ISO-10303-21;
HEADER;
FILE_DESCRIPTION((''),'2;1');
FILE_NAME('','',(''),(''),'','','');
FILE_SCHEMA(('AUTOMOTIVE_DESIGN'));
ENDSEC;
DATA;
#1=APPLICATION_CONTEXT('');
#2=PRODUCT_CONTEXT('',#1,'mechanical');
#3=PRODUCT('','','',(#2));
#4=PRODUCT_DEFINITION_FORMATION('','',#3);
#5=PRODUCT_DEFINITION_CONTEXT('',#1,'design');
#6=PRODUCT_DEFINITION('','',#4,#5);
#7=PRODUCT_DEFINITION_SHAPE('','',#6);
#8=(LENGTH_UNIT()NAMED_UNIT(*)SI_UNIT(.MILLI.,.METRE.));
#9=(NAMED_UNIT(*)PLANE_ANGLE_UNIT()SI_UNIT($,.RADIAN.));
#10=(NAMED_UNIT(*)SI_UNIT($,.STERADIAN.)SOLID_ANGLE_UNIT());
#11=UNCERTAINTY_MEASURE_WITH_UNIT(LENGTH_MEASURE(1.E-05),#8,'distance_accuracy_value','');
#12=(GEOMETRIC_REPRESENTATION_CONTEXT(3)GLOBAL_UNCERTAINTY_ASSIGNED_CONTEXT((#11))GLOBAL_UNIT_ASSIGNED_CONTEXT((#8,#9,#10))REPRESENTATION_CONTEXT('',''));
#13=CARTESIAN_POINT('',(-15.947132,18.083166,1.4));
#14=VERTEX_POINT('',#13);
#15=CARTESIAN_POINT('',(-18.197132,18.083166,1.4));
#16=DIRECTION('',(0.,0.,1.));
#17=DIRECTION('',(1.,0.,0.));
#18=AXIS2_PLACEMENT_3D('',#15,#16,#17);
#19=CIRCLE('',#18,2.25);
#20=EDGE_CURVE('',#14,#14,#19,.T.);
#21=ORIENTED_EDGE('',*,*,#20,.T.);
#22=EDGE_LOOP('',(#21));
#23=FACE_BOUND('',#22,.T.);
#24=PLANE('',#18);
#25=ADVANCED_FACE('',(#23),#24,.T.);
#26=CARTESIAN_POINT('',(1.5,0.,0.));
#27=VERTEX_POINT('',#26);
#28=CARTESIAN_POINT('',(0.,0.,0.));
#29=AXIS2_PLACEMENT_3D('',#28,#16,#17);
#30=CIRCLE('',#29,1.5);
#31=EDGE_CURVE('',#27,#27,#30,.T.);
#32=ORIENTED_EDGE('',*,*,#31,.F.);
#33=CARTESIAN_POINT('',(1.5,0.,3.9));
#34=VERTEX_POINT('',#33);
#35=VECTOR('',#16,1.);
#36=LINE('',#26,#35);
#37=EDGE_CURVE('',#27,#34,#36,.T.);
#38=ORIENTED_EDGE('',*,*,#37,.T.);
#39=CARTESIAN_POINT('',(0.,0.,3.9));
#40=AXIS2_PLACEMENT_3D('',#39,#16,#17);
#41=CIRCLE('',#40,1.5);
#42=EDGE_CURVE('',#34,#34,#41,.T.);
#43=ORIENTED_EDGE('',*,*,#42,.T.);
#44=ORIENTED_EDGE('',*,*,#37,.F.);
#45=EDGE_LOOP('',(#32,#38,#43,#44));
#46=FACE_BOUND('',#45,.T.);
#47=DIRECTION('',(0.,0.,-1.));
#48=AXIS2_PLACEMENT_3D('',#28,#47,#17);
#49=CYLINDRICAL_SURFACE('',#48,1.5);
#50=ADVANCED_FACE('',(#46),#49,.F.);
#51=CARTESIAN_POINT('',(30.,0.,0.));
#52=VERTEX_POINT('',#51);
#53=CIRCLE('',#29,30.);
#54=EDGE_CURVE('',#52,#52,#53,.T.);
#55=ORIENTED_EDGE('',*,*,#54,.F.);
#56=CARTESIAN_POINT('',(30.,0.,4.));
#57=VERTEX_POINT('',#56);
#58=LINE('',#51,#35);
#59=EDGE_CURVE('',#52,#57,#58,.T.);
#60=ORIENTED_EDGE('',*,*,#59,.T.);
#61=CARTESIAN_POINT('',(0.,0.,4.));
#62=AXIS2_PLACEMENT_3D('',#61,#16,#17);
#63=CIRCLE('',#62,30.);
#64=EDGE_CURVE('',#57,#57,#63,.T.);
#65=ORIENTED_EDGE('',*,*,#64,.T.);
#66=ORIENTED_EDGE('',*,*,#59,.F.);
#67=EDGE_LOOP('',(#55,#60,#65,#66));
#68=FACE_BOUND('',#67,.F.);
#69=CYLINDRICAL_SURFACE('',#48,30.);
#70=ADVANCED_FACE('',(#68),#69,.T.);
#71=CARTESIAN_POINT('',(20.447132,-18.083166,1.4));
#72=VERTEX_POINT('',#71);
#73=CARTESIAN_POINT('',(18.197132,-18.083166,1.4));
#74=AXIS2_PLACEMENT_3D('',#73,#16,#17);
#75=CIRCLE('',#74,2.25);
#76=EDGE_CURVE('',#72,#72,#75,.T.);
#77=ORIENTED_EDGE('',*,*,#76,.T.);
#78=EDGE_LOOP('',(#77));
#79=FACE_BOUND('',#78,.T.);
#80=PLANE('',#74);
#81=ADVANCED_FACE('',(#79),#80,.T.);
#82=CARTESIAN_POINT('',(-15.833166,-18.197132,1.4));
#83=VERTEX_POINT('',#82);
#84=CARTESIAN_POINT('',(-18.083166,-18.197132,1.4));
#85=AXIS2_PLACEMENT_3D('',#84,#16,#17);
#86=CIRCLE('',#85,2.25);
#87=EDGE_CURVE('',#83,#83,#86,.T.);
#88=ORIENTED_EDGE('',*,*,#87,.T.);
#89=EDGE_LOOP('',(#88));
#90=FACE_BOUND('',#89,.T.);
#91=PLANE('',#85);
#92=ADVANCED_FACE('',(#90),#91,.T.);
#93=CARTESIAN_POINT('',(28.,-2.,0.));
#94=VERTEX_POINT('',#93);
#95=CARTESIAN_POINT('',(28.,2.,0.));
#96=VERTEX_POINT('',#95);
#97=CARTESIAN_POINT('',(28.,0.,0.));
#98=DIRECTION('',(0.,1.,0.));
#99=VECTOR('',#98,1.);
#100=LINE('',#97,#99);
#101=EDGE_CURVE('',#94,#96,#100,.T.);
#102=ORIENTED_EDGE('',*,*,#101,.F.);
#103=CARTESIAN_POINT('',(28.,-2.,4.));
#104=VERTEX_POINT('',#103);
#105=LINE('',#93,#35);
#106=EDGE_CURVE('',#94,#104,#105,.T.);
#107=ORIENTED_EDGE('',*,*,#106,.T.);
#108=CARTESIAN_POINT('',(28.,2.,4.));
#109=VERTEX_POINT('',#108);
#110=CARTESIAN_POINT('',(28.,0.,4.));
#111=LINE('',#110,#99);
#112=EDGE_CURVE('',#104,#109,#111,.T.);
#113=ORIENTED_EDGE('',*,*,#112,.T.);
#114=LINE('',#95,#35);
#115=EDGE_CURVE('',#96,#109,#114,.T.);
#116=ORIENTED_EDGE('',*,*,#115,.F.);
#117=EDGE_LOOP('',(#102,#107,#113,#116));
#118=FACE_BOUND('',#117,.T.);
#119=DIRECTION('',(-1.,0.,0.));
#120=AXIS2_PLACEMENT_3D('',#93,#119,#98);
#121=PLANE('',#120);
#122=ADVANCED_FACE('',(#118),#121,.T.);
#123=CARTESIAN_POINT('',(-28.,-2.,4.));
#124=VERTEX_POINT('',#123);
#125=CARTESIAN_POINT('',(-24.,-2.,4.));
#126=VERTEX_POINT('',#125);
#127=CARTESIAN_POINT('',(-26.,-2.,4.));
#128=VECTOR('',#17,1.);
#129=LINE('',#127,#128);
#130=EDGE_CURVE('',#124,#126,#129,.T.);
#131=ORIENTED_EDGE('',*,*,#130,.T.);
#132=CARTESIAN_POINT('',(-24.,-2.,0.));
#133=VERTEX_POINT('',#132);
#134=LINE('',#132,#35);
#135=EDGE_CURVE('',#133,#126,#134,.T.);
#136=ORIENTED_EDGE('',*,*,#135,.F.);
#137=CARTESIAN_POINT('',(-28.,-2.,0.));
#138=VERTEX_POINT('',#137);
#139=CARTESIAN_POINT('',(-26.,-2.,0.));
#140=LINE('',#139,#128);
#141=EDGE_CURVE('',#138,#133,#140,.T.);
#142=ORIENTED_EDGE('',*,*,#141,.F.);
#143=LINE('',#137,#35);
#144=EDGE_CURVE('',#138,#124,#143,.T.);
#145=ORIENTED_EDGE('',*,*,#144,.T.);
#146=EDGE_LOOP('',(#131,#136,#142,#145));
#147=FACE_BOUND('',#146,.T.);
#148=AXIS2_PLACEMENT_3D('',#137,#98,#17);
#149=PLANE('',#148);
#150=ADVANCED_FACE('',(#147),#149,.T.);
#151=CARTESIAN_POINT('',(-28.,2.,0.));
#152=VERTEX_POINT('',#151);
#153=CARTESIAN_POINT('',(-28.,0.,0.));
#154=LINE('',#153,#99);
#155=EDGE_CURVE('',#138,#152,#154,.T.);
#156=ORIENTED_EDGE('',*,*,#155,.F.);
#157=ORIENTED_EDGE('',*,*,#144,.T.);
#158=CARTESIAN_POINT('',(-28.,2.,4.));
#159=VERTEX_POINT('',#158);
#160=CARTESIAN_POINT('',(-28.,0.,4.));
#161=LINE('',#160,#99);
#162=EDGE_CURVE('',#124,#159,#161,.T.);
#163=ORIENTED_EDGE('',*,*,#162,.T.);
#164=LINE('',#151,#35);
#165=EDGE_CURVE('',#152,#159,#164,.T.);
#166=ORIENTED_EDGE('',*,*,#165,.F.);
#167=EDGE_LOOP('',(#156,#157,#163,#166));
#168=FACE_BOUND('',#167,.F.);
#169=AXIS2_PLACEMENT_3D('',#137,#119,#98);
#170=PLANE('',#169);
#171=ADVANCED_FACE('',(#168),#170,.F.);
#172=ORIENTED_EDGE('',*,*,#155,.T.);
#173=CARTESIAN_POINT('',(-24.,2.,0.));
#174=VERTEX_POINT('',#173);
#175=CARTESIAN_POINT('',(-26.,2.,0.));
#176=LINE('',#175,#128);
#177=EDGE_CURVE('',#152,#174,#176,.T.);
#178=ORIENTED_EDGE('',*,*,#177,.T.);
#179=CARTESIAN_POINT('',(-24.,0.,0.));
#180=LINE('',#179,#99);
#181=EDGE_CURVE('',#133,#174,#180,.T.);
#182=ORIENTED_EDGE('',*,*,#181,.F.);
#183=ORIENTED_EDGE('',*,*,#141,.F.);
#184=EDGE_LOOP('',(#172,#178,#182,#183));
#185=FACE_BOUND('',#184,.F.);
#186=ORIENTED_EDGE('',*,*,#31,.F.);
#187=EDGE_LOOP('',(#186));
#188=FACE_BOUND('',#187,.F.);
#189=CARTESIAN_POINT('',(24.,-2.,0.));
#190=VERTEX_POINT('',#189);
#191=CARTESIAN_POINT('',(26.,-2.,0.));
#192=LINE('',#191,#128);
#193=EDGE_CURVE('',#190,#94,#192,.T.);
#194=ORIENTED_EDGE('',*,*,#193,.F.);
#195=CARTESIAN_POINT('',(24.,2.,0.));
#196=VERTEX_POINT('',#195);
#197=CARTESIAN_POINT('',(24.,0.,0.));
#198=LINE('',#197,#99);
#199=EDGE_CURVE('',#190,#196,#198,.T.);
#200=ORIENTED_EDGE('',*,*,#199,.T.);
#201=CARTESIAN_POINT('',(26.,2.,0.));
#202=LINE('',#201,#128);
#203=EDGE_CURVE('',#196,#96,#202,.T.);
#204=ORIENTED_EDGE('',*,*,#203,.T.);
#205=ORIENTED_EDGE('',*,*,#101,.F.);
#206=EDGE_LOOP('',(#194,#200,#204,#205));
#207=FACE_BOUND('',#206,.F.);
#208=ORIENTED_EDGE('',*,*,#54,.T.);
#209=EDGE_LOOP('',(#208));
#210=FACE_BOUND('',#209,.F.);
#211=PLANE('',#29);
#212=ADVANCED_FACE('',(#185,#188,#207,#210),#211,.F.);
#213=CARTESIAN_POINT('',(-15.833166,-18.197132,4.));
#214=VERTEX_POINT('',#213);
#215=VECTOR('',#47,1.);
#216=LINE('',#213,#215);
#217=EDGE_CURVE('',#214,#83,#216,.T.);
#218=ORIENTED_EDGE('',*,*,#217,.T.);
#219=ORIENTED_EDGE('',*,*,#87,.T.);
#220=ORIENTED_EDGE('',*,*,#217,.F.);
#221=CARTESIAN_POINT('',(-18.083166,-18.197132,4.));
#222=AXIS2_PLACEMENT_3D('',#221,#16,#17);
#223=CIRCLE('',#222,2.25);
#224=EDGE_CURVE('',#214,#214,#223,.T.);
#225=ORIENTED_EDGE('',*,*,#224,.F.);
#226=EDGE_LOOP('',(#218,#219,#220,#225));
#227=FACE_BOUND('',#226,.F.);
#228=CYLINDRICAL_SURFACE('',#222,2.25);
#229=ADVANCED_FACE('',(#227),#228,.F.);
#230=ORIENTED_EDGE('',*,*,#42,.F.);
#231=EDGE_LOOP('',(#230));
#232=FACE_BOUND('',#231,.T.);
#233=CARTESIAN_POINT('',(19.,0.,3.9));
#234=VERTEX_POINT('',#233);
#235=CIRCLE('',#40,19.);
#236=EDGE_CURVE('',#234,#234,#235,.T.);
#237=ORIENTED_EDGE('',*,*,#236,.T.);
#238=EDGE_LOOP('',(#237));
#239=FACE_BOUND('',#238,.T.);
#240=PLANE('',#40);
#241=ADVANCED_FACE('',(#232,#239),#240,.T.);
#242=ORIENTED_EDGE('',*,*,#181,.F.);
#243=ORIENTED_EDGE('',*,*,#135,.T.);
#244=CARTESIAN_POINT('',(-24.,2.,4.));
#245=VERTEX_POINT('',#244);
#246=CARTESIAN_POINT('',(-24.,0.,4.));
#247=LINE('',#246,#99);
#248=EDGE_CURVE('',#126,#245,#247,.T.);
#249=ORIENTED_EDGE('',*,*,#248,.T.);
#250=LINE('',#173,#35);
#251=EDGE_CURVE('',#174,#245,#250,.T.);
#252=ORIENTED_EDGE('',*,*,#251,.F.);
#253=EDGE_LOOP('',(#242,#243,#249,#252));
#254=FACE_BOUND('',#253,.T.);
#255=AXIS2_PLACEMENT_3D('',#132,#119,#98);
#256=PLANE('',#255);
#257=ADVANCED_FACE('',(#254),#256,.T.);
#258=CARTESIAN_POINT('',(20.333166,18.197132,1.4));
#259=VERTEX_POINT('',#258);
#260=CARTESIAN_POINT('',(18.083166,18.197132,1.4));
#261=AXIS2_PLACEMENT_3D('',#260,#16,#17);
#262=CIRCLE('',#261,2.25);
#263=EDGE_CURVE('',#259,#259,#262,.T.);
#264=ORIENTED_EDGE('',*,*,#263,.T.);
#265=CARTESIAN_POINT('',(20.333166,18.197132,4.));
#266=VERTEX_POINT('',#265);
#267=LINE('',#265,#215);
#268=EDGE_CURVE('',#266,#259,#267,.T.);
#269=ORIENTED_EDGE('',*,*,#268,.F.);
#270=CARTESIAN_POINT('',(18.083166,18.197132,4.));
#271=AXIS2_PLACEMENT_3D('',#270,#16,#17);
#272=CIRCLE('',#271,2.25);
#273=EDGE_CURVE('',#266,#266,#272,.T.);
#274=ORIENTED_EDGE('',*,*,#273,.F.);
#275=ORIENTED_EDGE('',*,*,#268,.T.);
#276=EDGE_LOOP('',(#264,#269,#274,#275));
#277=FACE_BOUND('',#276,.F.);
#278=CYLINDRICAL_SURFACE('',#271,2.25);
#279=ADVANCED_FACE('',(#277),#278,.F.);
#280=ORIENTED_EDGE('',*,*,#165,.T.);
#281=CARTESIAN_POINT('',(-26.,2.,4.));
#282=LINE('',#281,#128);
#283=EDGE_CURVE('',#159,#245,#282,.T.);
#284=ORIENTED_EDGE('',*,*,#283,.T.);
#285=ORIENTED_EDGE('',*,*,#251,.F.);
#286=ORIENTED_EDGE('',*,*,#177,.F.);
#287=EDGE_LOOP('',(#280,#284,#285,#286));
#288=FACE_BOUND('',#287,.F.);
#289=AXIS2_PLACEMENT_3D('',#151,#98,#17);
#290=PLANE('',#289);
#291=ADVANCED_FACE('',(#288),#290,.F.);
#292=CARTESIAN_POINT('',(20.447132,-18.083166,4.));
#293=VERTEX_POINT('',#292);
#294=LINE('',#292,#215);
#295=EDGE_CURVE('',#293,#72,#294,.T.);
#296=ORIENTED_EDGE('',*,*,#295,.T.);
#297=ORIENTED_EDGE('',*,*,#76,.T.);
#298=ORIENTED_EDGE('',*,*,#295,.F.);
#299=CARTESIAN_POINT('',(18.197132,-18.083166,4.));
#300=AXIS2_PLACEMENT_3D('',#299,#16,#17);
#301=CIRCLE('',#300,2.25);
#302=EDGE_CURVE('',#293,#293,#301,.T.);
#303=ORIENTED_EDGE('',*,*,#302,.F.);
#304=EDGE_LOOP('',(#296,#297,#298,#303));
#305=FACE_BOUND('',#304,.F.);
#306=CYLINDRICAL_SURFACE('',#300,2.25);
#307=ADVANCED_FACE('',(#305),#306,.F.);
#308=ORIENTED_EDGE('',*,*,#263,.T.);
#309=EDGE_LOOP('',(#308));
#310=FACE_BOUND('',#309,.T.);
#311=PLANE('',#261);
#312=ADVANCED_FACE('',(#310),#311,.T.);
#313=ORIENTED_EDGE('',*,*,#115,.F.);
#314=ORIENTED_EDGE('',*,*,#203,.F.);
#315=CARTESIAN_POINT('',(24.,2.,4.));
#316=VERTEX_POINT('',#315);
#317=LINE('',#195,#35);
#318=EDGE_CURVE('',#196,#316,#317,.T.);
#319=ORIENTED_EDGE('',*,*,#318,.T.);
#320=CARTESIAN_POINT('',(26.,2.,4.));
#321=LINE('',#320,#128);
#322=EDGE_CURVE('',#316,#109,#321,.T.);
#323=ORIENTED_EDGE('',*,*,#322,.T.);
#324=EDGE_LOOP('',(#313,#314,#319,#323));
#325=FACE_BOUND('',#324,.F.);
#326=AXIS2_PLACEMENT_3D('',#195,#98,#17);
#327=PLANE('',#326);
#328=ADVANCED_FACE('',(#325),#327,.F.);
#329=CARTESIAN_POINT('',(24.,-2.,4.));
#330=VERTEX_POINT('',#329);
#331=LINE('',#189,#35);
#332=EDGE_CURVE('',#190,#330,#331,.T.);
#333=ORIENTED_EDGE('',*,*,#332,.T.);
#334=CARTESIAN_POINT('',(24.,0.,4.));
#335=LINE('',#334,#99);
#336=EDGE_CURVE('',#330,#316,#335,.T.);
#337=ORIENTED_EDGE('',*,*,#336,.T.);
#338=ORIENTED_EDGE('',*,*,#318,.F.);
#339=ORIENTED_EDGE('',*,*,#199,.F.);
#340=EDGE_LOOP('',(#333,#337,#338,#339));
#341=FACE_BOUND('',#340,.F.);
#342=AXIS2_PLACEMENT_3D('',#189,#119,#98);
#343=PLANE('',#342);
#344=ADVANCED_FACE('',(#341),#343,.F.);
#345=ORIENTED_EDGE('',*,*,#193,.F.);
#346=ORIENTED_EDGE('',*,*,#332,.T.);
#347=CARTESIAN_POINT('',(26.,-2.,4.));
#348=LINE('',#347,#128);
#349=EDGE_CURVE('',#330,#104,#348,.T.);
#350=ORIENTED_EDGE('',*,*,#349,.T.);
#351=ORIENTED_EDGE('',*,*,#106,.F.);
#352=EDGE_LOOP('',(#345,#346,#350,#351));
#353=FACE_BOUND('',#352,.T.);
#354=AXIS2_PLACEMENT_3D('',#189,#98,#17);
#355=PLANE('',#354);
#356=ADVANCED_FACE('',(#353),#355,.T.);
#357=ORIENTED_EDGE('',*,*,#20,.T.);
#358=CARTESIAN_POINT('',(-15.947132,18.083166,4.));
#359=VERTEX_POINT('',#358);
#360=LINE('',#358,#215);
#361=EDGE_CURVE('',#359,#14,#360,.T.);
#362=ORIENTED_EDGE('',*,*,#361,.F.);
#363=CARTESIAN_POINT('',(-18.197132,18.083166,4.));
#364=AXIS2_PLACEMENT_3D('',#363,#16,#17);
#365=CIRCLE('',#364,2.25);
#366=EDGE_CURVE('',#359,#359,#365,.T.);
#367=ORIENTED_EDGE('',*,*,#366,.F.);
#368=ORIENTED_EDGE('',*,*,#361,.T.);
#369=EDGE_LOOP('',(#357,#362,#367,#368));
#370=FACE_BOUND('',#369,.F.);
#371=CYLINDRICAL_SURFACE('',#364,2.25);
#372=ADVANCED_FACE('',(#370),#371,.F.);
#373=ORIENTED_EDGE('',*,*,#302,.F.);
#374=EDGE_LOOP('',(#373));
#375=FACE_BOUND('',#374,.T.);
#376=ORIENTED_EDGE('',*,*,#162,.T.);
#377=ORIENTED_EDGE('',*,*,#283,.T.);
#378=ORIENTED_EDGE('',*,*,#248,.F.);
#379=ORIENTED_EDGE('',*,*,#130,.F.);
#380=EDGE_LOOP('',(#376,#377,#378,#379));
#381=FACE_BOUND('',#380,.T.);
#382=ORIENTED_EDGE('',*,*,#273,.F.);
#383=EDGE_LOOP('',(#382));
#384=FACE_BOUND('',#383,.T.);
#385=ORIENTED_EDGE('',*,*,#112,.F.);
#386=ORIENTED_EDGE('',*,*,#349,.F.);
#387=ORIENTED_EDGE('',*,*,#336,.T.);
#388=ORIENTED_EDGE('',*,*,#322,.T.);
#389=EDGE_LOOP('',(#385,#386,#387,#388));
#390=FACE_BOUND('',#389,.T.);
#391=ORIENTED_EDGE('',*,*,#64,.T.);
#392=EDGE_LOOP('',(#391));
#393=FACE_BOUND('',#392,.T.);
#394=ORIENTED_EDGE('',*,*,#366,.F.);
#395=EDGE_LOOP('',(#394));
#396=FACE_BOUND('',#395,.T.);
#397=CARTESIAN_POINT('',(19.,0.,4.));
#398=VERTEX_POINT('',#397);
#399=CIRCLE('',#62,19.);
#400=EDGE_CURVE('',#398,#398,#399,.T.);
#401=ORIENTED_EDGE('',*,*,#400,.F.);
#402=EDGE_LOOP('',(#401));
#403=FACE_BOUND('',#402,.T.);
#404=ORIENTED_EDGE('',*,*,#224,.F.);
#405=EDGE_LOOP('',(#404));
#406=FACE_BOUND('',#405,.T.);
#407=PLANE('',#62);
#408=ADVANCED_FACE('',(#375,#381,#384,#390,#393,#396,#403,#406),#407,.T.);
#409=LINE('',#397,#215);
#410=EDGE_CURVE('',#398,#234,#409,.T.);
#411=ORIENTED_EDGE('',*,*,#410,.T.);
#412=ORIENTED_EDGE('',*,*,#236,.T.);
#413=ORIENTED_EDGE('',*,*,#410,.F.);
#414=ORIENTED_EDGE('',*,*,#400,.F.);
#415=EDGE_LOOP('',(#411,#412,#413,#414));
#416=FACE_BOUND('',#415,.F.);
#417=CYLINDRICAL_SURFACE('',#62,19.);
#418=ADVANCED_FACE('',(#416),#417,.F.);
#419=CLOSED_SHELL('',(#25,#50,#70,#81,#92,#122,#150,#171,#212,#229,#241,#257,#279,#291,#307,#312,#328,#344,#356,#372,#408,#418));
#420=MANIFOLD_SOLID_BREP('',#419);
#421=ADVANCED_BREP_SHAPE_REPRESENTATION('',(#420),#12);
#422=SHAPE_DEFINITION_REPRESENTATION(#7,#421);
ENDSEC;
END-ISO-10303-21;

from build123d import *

# Parameters (mm, degrees)
F0_R     = 30
F0_W     = 4
F0_H     = 4
F0_R_2   = 1.5
F1_DEPTH = 4
F2_R     = 2.25
F3_DEPTH = 2.6
F4_R     = 19
F4_R_2   = 1.5
F5_DEPTH = 0.1


with BuildPart() as f1:
    # F0 (on Top) → F1 (new body)
    with BuildSketch(Plane.XY):
        Circle(F0_R)
        with Locations((-26, 0)):
            Rectangle(F0_W, F0_H, mode=Mode.SUBTRACT)
        Circle(F0_R_2, mode=Mode.SUBTRACT)
        with Locations((26, 0)):
            Rectangle(F0_W, F0_H, mode=Mode.SUBTRACT)
    extrude(amount=F1_DEPTH)

    # F2 (on face) → F3 (cut)
    with BuildSketch(Plane.XY.offset(4)):
        with Locations((-18.197132, 18.083166)):
            Circle(F2_R)
        with Locations((18.083166, 18.197132)):
            Circle(F2_R)
        with Locations((-18.083166, -18.197132)):
            Circle(F2_R)
        with Locations((18.197132, -18.083166)):
            Circle(F2_R)
    extrude(amount=-F3_DEPTH, mode=Mode.SUBTRACT)

    # F4 (on face) → F5 (cut)
    with BuildSketch(Plane.XY.offset(4)):
        Circle(F4_R)
        Circle(F4_R_2, mode=Mode.SUBTRACT)
    extrude(amount=-F5_DEPTH, mode=Mode.SUBTRACT)


solid = f1.part
